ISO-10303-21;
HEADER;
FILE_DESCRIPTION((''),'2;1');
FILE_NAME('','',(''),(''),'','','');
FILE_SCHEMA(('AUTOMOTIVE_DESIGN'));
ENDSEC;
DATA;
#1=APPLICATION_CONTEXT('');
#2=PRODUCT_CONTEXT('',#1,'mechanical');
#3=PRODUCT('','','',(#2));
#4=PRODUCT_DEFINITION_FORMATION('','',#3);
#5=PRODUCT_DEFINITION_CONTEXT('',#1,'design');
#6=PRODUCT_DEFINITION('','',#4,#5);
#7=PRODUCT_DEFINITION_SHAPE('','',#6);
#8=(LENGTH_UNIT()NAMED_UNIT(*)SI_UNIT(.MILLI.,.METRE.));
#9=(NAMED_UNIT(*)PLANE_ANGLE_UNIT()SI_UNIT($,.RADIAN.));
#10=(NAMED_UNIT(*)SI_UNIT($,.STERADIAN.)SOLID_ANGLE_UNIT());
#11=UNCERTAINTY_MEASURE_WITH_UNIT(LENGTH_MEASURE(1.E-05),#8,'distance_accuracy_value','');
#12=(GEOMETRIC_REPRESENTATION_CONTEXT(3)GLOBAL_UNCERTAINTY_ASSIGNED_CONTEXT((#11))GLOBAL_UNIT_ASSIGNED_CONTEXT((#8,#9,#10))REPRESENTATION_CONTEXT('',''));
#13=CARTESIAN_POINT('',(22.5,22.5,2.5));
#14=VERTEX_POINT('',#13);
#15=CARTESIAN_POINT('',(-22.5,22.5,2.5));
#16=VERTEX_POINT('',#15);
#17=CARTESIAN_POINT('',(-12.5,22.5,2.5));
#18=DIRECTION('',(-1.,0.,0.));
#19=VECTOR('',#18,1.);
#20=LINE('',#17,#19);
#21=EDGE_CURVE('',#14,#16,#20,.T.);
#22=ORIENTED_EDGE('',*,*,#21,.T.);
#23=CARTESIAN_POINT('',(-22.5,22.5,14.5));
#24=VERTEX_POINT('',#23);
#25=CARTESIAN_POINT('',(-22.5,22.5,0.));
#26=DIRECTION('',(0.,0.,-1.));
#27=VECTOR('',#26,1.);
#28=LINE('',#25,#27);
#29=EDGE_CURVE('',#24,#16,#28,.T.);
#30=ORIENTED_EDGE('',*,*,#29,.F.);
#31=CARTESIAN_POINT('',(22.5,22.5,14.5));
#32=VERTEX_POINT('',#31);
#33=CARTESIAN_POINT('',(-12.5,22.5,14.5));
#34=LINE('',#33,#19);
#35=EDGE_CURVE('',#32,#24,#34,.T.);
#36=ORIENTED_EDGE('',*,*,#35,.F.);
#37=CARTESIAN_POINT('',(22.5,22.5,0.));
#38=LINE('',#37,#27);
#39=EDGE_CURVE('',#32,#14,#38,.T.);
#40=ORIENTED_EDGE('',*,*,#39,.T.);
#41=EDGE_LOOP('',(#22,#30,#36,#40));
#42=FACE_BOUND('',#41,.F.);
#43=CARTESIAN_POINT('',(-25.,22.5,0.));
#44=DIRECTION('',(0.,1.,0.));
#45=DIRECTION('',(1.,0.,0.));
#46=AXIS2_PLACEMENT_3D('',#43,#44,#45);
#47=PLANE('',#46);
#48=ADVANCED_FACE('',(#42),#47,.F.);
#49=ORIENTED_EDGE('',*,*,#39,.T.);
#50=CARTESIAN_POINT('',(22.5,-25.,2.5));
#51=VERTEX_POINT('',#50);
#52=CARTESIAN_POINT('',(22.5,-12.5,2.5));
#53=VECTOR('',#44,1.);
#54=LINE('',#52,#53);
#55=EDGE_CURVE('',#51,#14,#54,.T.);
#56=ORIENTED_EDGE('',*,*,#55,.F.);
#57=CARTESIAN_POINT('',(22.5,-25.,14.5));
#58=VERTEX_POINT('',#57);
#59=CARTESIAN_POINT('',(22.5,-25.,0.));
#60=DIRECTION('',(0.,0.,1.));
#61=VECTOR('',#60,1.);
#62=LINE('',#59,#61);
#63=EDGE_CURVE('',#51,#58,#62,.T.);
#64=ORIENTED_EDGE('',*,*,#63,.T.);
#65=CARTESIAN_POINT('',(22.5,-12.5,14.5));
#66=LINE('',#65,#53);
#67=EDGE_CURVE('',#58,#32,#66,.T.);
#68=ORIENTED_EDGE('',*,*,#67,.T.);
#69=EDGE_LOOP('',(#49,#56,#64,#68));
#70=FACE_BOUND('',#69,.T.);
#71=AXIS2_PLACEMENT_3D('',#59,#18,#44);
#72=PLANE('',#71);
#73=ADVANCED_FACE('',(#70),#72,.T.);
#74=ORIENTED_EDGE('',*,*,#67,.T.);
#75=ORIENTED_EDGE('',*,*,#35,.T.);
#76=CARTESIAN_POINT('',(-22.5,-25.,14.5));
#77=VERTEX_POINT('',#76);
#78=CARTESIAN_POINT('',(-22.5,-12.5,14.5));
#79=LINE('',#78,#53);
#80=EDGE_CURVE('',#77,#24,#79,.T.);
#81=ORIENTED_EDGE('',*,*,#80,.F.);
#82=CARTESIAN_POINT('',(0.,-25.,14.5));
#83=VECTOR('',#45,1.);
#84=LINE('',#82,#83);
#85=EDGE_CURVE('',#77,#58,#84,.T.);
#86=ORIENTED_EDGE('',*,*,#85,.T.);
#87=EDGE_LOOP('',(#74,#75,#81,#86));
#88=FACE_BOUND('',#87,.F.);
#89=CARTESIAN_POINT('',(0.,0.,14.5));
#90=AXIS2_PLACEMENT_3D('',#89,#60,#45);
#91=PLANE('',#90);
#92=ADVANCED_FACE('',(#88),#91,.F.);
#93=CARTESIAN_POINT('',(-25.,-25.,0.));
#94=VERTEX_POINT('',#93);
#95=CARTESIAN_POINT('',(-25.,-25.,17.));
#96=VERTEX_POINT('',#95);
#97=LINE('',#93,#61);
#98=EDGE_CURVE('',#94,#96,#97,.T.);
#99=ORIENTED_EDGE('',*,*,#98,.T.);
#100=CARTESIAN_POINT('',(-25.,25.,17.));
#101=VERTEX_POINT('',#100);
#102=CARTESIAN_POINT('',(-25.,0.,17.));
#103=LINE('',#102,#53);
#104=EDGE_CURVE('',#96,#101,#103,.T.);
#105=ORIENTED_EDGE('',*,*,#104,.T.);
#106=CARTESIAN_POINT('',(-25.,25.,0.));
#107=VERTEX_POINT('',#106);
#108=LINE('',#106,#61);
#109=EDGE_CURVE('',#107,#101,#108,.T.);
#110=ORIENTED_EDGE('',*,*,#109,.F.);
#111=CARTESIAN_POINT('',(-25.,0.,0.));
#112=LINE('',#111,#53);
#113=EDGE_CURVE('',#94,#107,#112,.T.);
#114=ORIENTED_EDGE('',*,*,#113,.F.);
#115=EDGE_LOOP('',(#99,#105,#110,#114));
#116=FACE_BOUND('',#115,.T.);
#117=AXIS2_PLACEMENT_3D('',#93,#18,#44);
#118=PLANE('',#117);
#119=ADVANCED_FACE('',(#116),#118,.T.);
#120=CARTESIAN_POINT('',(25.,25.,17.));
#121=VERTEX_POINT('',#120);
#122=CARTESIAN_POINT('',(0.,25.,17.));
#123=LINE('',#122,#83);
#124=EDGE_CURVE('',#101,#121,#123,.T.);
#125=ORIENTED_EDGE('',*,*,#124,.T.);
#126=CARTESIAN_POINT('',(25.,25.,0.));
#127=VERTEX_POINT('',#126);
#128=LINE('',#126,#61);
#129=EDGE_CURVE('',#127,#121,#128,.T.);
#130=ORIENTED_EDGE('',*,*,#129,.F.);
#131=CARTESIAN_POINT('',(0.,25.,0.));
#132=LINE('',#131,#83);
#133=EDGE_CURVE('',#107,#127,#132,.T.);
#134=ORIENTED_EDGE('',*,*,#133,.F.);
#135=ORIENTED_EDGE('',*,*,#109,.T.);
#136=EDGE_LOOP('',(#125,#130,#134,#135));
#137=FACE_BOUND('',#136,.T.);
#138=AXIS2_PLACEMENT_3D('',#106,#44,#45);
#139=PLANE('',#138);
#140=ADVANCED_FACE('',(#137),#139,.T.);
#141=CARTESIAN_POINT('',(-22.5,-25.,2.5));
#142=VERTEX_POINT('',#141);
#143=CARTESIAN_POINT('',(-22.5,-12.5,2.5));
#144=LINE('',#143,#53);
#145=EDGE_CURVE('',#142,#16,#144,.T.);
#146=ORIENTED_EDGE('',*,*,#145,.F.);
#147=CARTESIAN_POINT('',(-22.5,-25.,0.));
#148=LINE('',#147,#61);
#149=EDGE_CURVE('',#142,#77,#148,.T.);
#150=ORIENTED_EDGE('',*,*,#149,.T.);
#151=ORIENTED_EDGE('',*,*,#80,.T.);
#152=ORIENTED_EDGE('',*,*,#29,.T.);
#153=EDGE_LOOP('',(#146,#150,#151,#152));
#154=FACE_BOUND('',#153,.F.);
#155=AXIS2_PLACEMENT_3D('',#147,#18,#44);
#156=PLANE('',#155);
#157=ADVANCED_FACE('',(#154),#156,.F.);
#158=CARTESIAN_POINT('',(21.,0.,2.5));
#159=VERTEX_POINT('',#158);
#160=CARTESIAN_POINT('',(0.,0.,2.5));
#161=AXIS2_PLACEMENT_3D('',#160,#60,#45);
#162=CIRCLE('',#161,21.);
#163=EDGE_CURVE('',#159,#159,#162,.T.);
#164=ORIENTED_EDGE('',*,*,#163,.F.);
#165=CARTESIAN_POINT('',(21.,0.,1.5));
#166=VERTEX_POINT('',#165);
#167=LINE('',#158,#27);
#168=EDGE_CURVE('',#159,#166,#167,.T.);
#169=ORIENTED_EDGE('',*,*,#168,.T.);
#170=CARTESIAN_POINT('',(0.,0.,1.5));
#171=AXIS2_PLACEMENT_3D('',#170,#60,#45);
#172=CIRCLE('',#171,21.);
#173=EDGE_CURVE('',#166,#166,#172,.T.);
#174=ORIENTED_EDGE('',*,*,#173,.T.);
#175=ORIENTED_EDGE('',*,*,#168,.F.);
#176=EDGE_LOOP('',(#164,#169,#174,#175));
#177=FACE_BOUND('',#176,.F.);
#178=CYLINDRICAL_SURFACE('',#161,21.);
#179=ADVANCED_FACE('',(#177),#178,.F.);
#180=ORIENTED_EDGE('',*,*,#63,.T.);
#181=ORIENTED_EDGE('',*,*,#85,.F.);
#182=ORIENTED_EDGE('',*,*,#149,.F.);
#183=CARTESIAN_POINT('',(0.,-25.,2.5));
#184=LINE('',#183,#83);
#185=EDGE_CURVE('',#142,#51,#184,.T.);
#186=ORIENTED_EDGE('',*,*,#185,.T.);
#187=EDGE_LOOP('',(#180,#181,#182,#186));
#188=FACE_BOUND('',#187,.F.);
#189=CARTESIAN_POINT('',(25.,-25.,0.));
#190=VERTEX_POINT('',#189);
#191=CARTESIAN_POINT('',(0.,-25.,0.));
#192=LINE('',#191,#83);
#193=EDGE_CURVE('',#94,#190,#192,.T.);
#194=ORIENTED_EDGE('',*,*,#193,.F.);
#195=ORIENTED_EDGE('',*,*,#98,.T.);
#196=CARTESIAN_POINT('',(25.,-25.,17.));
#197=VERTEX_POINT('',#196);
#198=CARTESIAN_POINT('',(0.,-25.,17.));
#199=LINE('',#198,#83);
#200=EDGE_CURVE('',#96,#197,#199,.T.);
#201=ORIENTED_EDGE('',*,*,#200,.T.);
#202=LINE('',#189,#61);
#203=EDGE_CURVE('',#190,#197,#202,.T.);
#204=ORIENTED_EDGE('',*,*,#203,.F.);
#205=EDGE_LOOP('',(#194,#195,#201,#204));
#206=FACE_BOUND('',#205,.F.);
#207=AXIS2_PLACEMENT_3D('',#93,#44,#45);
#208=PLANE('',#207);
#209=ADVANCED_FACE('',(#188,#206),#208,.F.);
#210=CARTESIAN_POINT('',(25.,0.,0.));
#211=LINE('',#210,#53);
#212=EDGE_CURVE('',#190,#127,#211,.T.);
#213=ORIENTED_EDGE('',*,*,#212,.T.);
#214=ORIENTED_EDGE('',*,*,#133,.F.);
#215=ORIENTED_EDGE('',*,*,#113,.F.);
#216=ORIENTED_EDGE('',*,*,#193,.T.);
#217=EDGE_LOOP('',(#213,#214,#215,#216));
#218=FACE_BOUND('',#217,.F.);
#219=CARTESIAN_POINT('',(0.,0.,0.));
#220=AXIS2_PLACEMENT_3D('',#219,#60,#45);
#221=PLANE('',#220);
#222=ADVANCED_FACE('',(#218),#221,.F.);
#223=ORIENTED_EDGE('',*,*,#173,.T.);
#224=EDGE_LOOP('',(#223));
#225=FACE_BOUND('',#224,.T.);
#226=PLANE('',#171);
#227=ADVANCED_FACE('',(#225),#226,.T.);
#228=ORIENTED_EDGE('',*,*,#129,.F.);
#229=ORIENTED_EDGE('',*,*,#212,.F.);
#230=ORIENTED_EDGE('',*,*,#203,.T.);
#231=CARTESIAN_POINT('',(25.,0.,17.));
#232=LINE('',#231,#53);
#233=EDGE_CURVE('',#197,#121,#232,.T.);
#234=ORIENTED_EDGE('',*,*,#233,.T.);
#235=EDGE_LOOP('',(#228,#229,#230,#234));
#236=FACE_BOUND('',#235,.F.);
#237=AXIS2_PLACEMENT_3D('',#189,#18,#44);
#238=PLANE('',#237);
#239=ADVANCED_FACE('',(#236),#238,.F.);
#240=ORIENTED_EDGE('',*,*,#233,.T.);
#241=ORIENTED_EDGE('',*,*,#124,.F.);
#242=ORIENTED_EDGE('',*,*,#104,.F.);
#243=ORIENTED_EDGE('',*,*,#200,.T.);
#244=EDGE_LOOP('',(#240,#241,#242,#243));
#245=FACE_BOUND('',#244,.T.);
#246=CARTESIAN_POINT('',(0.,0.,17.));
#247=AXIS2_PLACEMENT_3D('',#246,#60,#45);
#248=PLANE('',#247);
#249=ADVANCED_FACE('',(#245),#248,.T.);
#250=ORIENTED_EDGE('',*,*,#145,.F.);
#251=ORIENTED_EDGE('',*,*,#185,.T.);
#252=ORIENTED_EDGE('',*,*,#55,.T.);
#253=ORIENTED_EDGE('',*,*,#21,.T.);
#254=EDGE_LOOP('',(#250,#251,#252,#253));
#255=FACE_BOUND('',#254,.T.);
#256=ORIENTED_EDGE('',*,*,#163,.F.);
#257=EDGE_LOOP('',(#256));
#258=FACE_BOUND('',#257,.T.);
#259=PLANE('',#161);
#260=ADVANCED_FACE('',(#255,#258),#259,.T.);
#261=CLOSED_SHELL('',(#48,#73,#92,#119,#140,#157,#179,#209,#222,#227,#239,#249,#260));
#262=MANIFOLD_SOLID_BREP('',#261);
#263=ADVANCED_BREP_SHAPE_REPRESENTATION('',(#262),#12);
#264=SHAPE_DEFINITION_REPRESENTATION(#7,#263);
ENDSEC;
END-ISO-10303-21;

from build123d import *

# Parameters (mm, degrees)
F0_W     = 50
F0_H     = 50
F1_DEPTH = 17
F2_T     = -2.5
F3_R     = 21
F4_DEPTH = 1


with BuildPart() as f1:
    # F0 (on Top) → F1 (new body)
    with BuildSketch(Plane.XY):
        Rectangle(F0_W, F0_H)
    extrude(amount=F1_DEPTH)

    # F2
    f2_openings = [f1.faces().sort_by_distance(p)[0] for p in [
        (0, -25, 8.5),
    ]]
    offset(amount=F2_T, openings=f2_openings)

    # F3 (on face) → F4 (cut)
    with BuildSketch(Plane.XY.offset(2.5)):
        Circle(F3_R)
    extrude(amount=-F4_DEPTH, mode=Mode.SUBTRACT)


solid = f1.part
